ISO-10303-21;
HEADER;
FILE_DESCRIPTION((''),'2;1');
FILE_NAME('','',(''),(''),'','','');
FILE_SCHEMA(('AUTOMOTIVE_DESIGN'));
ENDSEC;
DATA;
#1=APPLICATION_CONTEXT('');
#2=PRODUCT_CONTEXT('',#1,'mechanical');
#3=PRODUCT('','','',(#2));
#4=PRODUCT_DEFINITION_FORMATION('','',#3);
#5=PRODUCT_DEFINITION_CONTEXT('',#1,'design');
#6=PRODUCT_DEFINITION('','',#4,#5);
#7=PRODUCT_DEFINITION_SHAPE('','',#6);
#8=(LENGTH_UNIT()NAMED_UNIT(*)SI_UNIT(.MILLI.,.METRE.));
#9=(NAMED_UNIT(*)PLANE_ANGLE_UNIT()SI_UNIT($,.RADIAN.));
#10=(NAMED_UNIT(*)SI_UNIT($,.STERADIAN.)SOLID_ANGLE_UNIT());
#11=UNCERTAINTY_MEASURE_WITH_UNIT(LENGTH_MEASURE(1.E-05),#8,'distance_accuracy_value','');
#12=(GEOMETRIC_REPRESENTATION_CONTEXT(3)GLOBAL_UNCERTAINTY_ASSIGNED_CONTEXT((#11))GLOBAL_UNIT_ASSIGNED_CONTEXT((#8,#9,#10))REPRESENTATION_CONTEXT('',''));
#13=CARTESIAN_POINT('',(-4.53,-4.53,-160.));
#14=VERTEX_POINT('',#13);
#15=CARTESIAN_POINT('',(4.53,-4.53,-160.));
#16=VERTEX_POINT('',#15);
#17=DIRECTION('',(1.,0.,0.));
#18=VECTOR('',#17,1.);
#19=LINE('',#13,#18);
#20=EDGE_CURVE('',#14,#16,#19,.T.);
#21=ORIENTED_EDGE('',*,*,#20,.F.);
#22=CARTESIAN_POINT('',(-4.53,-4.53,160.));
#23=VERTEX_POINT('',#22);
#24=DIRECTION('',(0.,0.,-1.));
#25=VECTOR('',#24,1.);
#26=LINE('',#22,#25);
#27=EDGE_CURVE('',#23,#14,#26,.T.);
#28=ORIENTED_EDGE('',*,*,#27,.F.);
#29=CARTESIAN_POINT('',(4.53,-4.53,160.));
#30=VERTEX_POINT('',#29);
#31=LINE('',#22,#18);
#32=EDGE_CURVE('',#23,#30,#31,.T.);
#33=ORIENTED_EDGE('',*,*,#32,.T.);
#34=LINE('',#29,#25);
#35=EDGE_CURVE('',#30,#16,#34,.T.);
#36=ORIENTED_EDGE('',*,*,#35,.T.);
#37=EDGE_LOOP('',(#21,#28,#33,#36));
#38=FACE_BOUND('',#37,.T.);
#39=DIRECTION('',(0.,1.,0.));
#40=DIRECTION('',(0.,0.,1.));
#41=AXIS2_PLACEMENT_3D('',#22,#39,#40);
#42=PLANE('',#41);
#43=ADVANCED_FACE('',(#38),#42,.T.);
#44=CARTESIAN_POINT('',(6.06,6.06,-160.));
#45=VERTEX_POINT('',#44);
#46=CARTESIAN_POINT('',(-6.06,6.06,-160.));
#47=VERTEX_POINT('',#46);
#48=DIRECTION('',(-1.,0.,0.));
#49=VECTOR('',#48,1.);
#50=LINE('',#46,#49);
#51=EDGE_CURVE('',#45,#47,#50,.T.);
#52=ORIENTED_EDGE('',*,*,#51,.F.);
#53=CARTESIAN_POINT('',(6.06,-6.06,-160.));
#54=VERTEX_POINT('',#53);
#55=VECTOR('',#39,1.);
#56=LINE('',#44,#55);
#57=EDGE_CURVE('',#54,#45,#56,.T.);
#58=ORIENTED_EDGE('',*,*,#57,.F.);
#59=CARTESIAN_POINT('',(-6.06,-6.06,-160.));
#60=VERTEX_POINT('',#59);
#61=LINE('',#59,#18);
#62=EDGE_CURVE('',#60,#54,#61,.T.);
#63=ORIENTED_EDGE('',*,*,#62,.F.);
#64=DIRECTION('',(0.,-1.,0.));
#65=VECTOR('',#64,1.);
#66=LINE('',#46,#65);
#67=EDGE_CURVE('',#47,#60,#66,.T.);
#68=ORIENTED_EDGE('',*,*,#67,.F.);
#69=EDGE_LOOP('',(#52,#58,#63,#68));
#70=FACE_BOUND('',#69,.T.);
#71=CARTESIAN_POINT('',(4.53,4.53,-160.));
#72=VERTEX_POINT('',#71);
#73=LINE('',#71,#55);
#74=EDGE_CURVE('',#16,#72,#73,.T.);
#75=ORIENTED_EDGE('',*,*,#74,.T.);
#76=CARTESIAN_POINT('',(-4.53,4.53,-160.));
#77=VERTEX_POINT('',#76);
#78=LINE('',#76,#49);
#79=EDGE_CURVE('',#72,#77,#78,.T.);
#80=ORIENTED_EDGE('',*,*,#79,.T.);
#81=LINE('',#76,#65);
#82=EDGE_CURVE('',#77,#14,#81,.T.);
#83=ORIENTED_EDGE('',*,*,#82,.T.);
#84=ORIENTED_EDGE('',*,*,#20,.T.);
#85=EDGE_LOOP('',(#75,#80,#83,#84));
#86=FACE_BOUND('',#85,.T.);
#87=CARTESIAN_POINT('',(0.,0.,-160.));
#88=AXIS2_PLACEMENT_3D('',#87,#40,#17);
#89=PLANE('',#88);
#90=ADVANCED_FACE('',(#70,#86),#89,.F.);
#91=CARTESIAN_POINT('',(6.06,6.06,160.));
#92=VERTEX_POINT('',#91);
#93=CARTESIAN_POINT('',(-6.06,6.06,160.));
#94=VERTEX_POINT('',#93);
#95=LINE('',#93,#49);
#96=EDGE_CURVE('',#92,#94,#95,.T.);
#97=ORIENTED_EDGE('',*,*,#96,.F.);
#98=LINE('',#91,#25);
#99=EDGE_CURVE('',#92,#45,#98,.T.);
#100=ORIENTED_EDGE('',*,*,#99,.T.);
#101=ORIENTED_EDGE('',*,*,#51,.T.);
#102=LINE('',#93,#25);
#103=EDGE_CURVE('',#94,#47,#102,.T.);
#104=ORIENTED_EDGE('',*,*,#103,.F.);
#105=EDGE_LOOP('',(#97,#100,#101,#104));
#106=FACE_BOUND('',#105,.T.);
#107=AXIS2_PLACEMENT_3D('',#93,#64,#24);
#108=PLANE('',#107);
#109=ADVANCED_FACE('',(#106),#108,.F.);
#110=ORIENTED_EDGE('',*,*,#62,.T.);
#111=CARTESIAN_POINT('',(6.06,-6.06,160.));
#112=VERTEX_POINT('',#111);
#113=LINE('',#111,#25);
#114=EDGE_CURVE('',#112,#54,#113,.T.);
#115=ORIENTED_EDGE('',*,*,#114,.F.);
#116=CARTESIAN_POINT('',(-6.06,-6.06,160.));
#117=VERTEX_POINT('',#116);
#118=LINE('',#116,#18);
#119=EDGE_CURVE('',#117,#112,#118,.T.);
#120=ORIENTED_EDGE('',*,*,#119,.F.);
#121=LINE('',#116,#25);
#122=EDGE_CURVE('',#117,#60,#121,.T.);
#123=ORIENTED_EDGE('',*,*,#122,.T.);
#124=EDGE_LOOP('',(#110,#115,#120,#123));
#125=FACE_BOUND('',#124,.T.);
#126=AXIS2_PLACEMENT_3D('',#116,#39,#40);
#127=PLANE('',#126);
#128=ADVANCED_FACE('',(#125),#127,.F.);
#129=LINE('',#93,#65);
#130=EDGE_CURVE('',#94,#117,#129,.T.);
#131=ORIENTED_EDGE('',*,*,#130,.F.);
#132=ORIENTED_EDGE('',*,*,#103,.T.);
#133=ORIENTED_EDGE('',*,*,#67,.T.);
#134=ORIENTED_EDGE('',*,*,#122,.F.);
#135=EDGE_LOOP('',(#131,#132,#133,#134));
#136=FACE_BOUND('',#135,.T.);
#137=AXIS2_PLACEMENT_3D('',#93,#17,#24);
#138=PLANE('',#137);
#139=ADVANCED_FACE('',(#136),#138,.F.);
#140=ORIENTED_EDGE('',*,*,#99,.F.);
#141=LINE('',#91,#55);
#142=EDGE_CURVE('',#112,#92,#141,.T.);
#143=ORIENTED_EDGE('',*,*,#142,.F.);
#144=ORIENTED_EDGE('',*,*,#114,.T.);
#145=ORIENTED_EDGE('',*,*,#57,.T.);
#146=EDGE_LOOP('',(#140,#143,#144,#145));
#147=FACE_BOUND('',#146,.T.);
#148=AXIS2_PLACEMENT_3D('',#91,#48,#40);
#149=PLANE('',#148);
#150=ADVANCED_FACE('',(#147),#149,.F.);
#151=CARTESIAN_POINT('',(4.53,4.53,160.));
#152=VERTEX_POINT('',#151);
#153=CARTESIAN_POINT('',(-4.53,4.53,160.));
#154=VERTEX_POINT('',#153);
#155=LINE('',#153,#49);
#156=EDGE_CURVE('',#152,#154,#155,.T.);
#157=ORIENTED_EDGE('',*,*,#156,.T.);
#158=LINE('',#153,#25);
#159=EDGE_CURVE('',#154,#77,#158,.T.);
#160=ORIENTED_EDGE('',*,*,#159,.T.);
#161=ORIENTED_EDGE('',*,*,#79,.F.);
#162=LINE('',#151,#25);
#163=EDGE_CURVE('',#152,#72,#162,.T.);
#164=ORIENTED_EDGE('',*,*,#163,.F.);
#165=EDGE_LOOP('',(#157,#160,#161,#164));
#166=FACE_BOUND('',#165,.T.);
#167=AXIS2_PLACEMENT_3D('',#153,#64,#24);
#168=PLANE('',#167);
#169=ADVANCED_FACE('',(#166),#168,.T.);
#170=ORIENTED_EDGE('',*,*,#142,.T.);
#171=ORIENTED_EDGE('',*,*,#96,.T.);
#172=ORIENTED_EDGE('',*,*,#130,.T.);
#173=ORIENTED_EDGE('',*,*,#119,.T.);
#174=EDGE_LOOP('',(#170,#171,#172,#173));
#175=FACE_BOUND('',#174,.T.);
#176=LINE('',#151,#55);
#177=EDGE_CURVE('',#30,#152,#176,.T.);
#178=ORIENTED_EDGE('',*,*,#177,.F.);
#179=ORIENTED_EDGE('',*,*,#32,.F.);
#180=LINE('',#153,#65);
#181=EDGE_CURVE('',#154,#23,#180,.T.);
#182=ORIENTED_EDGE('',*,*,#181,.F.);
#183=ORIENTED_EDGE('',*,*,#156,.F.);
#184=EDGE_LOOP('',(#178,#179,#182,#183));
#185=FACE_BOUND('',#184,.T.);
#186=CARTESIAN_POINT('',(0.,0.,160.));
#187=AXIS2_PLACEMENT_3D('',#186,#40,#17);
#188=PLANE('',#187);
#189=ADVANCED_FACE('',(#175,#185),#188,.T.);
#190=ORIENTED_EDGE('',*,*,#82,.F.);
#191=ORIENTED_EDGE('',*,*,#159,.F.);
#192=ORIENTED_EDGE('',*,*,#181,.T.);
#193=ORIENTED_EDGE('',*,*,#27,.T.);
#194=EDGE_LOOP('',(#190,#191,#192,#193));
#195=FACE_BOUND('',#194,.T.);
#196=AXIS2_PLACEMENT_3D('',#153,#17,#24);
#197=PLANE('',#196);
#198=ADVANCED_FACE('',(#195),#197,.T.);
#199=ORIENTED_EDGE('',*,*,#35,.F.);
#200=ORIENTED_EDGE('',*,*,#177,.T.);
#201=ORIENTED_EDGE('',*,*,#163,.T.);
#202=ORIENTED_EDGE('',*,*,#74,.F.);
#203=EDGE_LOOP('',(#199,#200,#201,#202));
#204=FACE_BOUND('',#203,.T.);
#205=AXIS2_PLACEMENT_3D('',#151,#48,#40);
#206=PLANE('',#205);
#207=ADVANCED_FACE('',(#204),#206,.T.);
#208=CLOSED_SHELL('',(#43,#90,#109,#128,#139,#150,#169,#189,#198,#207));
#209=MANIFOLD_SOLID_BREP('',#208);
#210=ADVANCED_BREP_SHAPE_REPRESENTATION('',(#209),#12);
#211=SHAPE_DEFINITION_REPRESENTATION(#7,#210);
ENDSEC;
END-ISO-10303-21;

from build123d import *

# Parameters (mm, degrees)
SKETCH1_W           = 12.12
SKETCH1_H           = 12.12
SKETCH1_W_2         = 9.06
SKETCH1_H_2         = 9.06
BOSS_EXTRUDE1_DEPTH = 160


with BuildPart() as part:
    # Sketch1 → Boss-Extrude1 (new, symmetric)
    with BuildSketch(Plane.XY):
        Rectangle(SKETCH1_W, SKETCH1_H)
        Rectangle(SKETCH1_W_2, SKETCH1_H_2, mode=Mode.SUBTRACT)
    extrude(amount=BOSS_EXTRUDE1_DEPTH, both=True)


solid = part.part
